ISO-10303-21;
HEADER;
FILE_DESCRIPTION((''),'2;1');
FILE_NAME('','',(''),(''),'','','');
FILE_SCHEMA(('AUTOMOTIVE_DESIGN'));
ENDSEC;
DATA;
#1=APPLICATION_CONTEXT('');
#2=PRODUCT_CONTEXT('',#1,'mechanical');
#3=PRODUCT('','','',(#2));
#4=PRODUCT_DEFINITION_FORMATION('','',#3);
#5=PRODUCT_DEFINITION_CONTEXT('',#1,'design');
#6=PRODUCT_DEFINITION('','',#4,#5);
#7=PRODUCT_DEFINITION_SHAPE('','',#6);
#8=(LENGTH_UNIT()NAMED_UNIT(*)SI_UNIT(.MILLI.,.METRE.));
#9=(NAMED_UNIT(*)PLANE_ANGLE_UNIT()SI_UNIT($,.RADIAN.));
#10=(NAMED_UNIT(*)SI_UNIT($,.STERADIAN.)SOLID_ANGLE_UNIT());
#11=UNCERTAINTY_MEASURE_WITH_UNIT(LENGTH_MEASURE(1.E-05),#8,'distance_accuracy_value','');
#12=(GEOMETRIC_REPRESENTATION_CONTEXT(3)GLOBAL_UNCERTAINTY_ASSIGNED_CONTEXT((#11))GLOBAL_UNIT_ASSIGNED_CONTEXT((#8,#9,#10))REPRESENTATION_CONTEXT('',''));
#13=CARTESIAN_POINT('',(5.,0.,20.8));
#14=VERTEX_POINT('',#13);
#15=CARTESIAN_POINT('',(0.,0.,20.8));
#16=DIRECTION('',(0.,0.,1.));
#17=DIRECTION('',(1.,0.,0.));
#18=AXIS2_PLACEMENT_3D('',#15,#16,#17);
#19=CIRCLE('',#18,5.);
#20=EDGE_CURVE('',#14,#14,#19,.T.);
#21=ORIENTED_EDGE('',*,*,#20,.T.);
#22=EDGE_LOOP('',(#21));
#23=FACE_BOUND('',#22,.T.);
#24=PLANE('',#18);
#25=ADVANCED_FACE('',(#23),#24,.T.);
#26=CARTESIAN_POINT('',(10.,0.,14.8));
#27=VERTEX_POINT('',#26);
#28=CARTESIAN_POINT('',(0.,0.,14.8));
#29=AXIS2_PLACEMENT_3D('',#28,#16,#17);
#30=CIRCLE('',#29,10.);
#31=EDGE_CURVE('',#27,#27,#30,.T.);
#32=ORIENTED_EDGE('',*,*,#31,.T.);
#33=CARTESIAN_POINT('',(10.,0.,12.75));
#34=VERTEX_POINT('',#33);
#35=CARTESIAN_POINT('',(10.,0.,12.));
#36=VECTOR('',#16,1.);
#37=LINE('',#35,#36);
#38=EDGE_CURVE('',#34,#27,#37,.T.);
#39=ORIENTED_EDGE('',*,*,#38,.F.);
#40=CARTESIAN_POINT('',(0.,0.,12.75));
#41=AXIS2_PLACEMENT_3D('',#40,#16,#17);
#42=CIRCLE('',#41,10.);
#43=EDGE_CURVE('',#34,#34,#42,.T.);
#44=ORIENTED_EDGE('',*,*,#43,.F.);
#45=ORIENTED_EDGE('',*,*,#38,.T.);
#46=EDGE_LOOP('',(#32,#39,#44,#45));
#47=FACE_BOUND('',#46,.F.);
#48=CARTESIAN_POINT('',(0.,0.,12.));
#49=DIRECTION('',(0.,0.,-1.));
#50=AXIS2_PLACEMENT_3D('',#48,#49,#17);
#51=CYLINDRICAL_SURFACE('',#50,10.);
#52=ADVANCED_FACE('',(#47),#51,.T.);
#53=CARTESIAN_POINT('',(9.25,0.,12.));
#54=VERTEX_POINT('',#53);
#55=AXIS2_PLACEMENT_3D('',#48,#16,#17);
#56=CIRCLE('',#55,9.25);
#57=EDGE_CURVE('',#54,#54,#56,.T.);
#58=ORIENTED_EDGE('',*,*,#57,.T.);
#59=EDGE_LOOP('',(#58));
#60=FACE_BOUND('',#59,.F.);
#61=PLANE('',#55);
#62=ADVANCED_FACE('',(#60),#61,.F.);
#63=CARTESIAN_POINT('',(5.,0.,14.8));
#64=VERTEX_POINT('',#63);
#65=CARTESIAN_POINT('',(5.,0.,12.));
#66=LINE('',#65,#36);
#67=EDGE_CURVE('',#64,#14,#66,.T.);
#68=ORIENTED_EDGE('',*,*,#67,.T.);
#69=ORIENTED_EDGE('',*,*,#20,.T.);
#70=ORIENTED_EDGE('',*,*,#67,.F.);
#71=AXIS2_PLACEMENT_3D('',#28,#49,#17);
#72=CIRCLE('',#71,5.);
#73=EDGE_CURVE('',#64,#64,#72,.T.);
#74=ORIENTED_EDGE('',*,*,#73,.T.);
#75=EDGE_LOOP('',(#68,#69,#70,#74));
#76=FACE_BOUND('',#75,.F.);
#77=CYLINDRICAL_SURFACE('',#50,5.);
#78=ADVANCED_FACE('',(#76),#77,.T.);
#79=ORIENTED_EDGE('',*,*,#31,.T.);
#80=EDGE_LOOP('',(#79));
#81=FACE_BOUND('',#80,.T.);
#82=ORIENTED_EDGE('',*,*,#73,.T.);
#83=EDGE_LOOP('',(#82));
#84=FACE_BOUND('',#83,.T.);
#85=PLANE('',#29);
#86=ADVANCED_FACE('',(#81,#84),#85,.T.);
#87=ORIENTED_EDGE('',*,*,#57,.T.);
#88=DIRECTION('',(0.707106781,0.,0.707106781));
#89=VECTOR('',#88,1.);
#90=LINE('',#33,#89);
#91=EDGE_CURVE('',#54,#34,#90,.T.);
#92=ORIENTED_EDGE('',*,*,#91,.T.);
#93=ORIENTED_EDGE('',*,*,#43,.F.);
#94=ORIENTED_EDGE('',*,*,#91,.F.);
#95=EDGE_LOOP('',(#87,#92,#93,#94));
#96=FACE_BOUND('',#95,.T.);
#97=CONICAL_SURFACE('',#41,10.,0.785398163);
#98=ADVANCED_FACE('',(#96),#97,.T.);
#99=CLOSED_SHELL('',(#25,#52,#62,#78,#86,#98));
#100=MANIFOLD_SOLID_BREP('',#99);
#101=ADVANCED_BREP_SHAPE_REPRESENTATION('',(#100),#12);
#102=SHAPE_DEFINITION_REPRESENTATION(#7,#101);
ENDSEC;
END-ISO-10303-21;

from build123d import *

# Parameters (mm, degrees)
CYLINDER093_R     = 5
CYLINDER093_DEPTH = 8.8
CYLINDER092_R     = 10
CYLINDER092_DEPTH = 2.8
CHAMFER004_SIZE   = 0.75


with BuildPart() as cylinder093:
    # Cylinder093 → Cylinder093 (new body)
    with BuildSketch(Plane.XY.offset(12)):
        Circle(CYLINDER093_R)
    extrude(amount=CYLINDER093_DEPTH)


with BuildPart() as hub_rear_support:
    # Cylinder092 → Cylinder092 (new body)
    with BuildSketch(Plane.XY.offset(12)):
        Circle(CYLINDER092_R)
    extrude(amount=CYLINDER092_DEPTH)

    # Fusion047: union Cylinder093
    add(cylinder093.part)

    # Chamfer004
    chamfer004_edges = [hub_rear_support.edges().sort_by_distance(p)[0] for p in [
        (-10, 0, 12),
    ]]
    chamfer(chamfer004_edges, length=CHAMFER004_SIZE)


solid = hub_rear_support.part
